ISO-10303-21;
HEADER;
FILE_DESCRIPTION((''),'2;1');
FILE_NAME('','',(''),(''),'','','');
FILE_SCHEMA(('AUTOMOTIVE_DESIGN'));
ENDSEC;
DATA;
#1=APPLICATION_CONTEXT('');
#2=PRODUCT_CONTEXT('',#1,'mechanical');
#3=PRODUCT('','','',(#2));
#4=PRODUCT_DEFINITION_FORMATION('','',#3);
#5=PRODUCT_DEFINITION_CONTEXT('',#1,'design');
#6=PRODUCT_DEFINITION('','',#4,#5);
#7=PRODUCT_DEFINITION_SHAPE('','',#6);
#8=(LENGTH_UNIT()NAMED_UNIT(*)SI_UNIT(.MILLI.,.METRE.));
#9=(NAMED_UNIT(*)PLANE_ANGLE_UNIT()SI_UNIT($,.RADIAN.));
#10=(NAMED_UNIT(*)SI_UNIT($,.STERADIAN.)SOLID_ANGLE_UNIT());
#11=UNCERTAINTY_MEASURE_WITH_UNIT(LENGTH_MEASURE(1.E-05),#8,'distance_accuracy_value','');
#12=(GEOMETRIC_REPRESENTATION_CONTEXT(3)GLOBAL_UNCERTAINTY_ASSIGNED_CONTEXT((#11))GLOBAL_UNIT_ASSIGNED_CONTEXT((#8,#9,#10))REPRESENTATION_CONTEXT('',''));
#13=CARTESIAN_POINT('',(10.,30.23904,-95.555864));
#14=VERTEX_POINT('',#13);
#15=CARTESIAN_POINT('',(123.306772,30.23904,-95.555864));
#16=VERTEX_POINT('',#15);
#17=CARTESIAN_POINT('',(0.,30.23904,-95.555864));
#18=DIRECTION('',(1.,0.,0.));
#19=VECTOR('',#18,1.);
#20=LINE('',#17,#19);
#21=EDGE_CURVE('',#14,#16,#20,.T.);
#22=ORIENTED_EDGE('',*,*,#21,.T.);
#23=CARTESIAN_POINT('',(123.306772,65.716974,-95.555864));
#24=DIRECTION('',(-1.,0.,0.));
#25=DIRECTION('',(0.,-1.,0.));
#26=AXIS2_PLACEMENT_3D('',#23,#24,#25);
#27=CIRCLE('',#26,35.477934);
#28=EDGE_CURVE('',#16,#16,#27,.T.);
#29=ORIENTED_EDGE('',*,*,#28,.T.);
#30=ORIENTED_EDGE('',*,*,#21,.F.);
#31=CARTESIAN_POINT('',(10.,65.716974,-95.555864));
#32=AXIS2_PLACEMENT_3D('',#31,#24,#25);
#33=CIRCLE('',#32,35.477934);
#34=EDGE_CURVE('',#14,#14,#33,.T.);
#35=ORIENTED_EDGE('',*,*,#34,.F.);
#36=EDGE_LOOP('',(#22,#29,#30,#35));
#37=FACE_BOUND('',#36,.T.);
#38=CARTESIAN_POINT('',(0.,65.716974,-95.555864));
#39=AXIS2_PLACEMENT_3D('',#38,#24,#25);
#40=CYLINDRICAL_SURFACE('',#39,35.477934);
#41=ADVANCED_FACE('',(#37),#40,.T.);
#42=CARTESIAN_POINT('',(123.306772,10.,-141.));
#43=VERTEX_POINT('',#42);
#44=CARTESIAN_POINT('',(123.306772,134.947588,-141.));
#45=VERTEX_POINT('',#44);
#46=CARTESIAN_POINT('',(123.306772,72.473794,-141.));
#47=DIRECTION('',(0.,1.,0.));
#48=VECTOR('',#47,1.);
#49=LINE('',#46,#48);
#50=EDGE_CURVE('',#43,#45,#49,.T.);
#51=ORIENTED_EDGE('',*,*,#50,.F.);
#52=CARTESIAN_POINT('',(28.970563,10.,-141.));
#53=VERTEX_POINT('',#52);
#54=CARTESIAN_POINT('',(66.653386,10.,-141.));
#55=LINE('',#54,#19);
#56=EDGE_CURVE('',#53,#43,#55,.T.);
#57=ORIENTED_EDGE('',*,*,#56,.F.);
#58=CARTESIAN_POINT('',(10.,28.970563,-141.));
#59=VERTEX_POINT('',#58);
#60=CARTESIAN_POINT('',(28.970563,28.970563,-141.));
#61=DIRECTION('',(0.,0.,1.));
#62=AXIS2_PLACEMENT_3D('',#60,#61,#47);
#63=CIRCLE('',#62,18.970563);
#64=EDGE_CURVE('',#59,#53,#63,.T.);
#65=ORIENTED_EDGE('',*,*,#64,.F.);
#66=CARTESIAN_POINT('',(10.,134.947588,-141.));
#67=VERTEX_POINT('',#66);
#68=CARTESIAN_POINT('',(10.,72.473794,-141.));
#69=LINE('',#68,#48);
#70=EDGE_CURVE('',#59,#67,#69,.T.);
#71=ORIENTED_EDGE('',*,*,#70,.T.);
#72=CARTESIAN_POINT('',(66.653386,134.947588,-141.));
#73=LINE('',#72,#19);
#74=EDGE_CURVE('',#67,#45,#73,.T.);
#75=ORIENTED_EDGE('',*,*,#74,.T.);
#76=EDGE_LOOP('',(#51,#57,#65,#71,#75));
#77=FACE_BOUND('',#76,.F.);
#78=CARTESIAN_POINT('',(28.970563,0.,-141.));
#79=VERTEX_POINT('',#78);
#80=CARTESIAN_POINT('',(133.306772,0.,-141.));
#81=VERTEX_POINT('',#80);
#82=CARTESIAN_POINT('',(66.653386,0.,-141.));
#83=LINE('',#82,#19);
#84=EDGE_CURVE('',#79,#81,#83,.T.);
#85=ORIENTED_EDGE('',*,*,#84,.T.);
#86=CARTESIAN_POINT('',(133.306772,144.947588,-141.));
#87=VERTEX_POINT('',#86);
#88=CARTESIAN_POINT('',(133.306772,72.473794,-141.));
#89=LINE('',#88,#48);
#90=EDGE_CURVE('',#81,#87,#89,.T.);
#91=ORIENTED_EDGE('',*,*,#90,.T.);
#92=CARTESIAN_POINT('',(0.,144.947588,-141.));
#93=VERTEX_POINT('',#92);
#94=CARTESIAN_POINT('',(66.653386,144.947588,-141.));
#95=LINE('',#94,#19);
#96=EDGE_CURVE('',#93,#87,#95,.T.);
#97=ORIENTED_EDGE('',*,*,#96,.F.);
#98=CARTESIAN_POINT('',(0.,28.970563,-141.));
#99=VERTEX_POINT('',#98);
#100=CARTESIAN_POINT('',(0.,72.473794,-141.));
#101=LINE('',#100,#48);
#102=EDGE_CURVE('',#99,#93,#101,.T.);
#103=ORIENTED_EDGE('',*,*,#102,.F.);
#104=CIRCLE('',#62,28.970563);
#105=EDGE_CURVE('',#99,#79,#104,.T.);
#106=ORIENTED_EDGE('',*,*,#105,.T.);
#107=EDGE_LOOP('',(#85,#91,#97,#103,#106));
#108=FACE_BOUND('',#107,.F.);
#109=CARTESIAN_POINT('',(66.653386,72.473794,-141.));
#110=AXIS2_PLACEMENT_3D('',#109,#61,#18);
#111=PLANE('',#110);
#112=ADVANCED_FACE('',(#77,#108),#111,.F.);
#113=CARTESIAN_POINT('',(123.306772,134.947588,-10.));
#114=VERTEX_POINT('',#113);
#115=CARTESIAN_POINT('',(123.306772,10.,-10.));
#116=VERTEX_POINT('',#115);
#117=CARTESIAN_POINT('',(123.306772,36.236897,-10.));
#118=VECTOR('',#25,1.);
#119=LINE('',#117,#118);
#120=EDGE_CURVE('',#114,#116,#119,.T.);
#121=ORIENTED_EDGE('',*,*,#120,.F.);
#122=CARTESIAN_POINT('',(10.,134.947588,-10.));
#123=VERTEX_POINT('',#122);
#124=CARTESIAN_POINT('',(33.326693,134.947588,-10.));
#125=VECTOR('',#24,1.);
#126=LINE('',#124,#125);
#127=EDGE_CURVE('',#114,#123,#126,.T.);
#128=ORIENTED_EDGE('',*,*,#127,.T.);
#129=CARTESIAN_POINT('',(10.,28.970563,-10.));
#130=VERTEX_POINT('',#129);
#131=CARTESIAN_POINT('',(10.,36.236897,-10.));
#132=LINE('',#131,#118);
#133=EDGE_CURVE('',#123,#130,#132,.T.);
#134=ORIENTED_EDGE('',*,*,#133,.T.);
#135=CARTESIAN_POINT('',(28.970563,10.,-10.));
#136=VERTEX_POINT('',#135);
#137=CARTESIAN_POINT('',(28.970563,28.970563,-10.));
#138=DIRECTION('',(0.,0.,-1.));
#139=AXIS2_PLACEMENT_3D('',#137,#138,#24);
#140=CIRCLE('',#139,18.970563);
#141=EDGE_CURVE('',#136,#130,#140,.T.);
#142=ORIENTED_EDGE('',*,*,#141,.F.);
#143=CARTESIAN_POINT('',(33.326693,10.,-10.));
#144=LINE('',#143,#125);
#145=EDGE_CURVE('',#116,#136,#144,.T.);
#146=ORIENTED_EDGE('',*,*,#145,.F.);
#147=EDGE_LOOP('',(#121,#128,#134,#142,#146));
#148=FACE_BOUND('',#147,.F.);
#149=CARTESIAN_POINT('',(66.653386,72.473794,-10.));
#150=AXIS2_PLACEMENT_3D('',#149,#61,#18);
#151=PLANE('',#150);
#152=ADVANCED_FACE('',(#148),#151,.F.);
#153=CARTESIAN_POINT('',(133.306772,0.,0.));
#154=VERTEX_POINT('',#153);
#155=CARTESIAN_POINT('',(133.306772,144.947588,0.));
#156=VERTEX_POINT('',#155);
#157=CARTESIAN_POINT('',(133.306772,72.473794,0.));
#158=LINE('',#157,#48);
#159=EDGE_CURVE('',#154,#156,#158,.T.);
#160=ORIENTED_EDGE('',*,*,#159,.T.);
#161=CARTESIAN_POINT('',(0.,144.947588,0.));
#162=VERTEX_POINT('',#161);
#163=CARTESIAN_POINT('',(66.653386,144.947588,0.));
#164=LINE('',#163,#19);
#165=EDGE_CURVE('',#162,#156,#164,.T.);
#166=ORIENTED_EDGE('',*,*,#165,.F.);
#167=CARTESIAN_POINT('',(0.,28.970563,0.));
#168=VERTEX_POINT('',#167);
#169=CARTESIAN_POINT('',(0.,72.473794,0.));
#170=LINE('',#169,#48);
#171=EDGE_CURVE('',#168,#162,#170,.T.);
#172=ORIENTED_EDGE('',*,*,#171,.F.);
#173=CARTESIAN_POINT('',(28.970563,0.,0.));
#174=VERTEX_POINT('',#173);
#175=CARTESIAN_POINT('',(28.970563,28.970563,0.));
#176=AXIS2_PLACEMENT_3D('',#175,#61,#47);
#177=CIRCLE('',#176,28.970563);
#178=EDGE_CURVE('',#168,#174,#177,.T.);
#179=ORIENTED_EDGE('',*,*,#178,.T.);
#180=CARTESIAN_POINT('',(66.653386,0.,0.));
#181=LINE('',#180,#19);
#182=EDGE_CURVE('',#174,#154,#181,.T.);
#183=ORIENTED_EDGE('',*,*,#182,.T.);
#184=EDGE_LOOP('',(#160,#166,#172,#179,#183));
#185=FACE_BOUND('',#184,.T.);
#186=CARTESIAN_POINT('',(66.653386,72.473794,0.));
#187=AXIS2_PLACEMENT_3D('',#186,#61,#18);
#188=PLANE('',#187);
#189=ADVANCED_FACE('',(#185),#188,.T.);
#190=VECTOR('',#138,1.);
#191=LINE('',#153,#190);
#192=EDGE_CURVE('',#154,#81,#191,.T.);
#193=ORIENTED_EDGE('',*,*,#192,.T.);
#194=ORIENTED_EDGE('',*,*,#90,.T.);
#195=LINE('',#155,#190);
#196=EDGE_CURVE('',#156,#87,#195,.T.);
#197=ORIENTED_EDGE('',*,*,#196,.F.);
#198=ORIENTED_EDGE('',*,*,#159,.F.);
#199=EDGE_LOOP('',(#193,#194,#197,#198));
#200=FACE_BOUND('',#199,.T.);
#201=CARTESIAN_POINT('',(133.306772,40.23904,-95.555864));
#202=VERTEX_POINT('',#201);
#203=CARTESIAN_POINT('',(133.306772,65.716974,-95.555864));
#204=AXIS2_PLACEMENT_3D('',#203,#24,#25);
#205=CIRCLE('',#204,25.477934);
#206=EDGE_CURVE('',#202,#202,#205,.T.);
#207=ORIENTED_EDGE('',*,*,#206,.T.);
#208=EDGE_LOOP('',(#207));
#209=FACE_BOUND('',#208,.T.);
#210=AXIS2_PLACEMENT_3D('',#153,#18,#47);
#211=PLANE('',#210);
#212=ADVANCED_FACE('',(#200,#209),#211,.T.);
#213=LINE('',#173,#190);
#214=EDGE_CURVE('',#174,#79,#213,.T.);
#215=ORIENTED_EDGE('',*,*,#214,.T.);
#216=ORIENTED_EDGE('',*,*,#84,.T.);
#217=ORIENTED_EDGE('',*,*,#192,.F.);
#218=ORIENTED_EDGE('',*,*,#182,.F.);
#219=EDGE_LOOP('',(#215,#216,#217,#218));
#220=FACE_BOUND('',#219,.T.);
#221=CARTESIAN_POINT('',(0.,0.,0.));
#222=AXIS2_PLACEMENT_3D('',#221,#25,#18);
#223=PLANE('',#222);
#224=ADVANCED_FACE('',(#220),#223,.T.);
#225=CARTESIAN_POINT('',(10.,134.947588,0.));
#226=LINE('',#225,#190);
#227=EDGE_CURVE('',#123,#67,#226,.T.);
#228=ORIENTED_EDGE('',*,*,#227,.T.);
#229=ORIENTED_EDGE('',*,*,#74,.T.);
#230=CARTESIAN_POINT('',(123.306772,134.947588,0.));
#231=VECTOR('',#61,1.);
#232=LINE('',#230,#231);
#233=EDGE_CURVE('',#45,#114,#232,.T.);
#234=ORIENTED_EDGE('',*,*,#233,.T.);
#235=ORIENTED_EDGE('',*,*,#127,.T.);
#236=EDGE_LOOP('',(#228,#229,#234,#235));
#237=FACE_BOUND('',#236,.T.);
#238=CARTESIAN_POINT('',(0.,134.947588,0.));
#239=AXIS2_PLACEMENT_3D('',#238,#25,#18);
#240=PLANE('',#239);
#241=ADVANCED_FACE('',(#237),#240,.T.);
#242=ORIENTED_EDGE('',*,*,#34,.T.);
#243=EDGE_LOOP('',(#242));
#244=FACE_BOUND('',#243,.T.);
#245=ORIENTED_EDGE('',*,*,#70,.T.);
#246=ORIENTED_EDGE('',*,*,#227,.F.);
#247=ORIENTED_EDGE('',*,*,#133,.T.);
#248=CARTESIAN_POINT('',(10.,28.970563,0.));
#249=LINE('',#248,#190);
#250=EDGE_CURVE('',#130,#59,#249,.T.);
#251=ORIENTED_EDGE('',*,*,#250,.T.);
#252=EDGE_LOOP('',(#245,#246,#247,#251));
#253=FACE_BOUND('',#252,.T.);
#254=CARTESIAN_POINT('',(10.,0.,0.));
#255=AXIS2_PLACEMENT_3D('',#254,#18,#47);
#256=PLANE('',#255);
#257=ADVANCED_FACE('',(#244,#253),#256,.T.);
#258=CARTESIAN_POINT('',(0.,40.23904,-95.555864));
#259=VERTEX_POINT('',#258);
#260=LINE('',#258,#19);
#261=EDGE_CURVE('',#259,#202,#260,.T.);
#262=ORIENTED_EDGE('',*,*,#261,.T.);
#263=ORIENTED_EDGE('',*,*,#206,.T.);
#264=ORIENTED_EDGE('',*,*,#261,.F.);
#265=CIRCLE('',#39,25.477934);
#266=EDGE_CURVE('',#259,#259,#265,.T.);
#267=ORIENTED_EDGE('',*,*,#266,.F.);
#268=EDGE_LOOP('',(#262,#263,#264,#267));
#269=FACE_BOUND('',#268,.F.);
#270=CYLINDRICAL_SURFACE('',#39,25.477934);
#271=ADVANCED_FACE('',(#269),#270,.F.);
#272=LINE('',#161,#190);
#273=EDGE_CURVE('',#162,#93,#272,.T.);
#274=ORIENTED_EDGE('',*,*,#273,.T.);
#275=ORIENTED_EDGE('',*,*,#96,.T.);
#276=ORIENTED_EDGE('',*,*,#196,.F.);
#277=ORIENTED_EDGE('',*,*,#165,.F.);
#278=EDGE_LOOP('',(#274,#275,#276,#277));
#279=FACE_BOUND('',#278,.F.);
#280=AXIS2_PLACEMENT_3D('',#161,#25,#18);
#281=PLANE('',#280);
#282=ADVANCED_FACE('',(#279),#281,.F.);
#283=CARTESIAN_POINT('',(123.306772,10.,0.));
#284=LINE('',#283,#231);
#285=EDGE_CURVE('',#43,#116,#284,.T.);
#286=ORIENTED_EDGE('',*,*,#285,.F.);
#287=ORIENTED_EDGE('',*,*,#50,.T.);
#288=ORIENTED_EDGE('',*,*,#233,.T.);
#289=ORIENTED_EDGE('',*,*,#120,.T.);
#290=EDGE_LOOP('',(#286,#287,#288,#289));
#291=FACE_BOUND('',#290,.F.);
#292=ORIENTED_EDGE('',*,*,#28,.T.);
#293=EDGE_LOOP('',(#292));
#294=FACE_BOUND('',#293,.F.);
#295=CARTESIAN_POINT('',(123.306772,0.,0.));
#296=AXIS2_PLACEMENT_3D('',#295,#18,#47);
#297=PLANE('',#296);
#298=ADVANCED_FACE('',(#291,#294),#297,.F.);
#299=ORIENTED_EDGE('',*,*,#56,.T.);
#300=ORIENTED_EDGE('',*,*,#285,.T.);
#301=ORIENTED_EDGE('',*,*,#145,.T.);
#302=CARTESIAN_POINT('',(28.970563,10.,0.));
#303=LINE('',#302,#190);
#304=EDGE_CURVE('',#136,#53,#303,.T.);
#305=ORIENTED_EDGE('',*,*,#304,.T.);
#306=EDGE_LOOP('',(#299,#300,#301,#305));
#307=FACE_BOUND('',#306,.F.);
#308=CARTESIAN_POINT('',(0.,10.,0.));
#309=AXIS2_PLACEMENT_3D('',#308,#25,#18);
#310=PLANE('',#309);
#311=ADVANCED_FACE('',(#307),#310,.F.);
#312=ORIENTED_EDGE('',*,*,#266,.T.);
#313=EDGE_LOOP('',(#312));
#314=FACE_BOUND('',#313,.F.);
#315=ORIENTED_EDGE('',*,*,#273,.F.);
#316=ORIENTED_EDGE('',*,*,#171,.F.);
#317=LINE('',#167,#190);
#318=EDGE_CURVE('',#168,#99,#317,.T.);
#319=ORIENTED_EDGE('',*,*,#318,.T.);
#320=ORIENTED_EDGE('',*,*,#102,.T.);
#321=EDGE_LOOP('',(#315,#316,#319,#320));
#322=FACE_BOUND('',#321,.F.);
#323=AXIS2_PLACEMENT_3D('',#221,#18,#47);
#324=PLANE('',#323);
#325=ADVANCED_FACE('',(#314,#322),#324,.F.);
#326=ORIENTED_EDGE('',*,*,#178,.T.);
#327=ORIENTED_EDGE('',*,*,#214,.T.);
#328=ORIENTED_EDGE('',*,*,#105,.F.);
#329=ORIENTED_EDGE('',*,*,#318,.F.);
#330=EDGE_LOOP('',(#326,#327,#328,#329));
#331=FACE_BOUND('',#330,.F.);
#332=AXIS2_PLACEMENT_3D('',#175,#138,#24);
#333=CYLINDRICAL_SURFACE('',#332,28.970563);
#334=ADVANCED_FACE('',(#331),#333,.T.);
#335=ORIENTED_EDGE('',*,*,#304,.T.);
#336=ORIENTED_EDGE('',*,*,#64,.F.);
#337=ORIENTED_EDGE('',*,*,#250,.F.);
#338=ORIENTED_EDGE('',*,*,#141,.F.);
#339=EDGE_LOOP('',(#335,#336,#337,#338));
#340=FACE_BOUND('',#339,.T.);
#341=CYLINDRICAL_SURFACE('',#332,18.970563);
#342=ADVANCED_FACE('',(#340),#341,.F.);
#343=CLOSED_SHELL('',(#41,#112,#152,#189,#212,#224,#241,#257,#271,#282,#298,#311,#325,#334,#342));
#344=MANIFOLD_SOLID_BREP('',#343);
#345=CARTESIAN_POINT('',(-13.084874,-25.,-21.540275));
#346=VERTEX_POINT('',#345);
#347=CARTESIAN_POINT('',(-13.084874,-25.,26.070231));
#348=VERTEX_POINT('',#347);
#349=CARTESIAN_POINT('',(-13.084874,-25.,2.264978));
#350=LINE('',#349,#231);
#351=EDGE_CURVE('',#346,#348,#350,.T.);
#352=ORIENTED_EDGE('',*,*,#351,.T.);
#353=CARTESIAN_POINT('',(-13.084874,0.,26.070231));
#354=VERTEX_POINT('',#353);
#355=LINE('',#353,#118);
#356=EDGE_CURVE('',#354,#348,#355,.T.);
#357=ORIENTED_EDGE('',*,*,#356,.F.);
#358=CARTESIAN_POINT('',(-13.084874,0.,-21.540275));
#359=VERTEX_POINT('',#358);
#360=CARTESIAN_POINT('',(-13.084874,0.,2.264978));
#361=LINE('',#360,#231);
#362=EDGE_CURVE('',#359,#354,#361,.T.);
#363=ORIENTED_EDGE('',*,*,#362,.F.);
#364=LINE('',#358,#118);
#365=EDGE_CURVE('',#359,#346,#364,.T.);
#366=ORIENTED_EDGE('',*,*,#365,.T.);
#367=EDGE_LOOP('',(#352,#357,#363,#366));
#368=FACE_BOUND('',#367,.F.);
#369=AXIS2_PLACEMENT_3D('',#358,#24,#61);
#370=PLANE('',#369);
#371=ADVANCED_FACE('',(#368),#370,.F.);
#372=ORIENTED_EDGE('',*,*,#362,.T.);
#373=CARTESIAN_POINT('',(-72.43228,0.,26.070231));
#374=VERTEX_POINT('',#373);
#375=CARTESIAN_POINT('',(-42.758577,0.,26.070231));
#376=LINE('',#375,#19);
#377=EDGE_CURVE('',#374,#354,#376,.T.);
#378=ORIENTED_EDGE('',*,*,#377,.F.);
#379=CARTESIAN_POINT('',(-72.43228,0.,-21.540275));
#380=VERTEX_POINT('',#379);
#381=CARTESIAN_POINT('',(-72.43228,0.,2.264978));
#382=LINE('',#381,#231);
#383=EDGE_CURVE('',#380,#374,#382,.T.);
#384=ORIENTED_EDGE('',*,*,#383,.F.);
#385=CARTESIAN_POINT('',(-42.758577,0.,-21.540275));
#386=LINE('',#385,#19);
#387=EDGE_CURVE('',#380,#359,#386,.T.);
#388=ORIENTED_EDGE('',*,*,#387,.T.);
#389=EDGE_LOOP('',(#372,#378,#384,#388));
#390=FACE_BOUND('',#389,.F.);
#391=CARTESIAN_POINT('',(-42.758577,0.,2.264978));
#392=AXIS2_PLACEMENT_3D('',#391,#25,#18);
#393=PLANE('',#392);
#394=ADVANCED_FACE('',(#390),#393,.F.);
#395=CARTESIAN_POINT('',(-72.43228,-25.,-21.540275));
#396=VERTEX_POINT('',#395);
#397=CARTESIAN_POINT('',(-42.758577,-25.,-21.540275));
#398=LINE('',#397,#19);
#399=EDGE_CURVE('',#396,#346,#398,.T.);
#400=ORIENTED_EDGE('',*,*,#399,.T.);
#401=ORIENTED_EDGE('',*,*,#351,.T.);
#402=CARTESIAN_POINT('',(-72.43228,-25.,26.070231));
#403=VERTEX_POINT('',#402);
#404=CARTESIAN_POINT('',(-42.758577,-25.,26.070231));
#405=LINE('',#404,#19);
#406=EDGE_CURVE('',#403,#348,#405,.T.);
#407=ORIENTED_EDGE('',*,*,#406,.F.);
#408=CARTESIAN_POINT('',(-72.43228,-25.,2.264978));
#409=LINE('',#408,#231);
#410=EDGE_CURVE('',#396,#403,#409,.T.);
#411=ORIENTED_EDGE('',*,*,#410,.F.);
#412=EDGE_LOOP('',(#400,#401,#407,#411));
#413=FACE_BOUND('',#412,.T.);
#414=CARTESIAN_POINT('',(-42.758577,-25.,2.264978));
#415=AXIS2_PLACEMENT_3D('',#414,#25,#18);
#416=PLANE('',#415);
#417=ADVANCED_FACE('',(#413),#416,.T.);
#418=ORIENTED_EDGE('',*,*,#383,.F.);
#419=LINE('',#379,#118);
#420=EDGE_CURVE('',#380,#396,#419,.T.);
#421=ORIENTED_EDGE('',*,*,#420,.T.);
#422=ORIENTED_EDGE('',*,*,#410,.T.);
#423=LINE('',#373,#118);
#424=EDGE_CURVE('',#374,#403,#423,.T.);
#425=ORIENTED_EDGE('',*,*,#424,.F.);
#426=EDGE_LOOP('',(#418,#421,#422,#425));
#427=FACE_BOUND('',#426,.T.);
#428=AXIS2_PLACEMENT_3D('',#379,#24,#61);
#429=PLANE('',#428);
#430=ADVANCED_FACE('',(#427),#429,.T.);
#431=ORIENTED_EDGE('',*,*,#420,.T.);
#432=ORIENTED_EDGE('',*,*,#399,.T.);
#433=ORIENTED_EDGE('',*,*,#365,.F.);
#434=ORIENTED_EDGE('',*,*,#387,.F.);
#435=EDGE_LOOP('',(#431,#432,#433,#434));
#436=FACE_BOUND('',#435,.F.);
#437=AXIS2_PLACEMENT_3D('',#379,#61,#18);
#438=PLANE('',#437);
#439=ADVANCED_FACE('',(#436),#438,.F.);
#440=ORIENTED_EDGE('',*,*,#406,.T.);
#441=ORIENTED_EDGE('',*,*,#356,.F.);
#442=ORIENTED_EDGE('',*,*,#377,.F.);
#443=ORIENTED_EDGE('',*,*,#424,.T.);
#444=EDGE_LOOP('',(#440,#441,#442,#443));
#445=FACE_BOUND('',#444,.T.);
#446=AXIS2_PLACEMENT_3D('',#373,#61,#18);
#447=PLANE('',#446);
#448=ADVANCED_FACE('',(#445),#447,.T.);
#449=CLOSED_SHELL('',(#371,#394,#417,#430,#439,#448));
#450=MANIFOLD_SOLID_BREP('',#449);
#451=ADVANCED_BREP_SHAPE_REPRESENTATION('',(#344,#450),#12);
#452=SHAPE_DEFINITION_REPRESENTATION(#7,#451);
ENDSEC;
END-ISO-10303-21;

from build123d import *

# Parameters (mm, degrees)
F0_W     = 133.306772
F0_H     = 144.947588
F1_DEPTH = 141
F2_R     = 25.477934
F3_DEPTH = 133.307772
F4_R     = 28.970563
F5_T     = -10
F6_W     = 59.347406
F6_H     = 47.610507
F7_DEPTH = 25


with BuildPart() as f1:
    # F0 (on Top) → F1 (new body)
    with BuildSketch(Plane.XY):
        with Locations((66.653386, 72.473794)):
            Rectangle(F0_W, F0_H)
    extrude(amount=-F1_DEPTH)

    # F2 (on face) → F3 (cut, through all)
    with BuildSketch(Plane(origin=(0, 0, 0), x_dir=(0, -1, 0), z_dir=(-1, 0, 0))):
        with Locations((-65.716974, -95.555864)):
            Circle(F2_R)
    extrude(amount=-F3_DEPTH, mode=Mode.SUBTRACT)

    # F4
    f4_edges = [f1.edges().sort_by_distance(p)[0] for p in [
        (0, 0, -70.5),
    ]]
    fillet(f4_edges, radius=F4_R)

    # F5
    f5_openings = [f1.faces().sort_by_distance(p)[0] for p in [
        (67.219651, 73.094825, -141),
    ]]
    offset(amount=F5_T, openings=f5_openings)


with BuildPart() as f7:
    # F6 (on Front) → F7 (new body)
    with BuildSketch(Plane.XZ):
        with Locations((-42.758577, 2.264978)):
            Rectangle(F6_W, F6_H)
    extrude(amount=F7_DEPTH)


solid = Compound([f1.part, f7.part])
